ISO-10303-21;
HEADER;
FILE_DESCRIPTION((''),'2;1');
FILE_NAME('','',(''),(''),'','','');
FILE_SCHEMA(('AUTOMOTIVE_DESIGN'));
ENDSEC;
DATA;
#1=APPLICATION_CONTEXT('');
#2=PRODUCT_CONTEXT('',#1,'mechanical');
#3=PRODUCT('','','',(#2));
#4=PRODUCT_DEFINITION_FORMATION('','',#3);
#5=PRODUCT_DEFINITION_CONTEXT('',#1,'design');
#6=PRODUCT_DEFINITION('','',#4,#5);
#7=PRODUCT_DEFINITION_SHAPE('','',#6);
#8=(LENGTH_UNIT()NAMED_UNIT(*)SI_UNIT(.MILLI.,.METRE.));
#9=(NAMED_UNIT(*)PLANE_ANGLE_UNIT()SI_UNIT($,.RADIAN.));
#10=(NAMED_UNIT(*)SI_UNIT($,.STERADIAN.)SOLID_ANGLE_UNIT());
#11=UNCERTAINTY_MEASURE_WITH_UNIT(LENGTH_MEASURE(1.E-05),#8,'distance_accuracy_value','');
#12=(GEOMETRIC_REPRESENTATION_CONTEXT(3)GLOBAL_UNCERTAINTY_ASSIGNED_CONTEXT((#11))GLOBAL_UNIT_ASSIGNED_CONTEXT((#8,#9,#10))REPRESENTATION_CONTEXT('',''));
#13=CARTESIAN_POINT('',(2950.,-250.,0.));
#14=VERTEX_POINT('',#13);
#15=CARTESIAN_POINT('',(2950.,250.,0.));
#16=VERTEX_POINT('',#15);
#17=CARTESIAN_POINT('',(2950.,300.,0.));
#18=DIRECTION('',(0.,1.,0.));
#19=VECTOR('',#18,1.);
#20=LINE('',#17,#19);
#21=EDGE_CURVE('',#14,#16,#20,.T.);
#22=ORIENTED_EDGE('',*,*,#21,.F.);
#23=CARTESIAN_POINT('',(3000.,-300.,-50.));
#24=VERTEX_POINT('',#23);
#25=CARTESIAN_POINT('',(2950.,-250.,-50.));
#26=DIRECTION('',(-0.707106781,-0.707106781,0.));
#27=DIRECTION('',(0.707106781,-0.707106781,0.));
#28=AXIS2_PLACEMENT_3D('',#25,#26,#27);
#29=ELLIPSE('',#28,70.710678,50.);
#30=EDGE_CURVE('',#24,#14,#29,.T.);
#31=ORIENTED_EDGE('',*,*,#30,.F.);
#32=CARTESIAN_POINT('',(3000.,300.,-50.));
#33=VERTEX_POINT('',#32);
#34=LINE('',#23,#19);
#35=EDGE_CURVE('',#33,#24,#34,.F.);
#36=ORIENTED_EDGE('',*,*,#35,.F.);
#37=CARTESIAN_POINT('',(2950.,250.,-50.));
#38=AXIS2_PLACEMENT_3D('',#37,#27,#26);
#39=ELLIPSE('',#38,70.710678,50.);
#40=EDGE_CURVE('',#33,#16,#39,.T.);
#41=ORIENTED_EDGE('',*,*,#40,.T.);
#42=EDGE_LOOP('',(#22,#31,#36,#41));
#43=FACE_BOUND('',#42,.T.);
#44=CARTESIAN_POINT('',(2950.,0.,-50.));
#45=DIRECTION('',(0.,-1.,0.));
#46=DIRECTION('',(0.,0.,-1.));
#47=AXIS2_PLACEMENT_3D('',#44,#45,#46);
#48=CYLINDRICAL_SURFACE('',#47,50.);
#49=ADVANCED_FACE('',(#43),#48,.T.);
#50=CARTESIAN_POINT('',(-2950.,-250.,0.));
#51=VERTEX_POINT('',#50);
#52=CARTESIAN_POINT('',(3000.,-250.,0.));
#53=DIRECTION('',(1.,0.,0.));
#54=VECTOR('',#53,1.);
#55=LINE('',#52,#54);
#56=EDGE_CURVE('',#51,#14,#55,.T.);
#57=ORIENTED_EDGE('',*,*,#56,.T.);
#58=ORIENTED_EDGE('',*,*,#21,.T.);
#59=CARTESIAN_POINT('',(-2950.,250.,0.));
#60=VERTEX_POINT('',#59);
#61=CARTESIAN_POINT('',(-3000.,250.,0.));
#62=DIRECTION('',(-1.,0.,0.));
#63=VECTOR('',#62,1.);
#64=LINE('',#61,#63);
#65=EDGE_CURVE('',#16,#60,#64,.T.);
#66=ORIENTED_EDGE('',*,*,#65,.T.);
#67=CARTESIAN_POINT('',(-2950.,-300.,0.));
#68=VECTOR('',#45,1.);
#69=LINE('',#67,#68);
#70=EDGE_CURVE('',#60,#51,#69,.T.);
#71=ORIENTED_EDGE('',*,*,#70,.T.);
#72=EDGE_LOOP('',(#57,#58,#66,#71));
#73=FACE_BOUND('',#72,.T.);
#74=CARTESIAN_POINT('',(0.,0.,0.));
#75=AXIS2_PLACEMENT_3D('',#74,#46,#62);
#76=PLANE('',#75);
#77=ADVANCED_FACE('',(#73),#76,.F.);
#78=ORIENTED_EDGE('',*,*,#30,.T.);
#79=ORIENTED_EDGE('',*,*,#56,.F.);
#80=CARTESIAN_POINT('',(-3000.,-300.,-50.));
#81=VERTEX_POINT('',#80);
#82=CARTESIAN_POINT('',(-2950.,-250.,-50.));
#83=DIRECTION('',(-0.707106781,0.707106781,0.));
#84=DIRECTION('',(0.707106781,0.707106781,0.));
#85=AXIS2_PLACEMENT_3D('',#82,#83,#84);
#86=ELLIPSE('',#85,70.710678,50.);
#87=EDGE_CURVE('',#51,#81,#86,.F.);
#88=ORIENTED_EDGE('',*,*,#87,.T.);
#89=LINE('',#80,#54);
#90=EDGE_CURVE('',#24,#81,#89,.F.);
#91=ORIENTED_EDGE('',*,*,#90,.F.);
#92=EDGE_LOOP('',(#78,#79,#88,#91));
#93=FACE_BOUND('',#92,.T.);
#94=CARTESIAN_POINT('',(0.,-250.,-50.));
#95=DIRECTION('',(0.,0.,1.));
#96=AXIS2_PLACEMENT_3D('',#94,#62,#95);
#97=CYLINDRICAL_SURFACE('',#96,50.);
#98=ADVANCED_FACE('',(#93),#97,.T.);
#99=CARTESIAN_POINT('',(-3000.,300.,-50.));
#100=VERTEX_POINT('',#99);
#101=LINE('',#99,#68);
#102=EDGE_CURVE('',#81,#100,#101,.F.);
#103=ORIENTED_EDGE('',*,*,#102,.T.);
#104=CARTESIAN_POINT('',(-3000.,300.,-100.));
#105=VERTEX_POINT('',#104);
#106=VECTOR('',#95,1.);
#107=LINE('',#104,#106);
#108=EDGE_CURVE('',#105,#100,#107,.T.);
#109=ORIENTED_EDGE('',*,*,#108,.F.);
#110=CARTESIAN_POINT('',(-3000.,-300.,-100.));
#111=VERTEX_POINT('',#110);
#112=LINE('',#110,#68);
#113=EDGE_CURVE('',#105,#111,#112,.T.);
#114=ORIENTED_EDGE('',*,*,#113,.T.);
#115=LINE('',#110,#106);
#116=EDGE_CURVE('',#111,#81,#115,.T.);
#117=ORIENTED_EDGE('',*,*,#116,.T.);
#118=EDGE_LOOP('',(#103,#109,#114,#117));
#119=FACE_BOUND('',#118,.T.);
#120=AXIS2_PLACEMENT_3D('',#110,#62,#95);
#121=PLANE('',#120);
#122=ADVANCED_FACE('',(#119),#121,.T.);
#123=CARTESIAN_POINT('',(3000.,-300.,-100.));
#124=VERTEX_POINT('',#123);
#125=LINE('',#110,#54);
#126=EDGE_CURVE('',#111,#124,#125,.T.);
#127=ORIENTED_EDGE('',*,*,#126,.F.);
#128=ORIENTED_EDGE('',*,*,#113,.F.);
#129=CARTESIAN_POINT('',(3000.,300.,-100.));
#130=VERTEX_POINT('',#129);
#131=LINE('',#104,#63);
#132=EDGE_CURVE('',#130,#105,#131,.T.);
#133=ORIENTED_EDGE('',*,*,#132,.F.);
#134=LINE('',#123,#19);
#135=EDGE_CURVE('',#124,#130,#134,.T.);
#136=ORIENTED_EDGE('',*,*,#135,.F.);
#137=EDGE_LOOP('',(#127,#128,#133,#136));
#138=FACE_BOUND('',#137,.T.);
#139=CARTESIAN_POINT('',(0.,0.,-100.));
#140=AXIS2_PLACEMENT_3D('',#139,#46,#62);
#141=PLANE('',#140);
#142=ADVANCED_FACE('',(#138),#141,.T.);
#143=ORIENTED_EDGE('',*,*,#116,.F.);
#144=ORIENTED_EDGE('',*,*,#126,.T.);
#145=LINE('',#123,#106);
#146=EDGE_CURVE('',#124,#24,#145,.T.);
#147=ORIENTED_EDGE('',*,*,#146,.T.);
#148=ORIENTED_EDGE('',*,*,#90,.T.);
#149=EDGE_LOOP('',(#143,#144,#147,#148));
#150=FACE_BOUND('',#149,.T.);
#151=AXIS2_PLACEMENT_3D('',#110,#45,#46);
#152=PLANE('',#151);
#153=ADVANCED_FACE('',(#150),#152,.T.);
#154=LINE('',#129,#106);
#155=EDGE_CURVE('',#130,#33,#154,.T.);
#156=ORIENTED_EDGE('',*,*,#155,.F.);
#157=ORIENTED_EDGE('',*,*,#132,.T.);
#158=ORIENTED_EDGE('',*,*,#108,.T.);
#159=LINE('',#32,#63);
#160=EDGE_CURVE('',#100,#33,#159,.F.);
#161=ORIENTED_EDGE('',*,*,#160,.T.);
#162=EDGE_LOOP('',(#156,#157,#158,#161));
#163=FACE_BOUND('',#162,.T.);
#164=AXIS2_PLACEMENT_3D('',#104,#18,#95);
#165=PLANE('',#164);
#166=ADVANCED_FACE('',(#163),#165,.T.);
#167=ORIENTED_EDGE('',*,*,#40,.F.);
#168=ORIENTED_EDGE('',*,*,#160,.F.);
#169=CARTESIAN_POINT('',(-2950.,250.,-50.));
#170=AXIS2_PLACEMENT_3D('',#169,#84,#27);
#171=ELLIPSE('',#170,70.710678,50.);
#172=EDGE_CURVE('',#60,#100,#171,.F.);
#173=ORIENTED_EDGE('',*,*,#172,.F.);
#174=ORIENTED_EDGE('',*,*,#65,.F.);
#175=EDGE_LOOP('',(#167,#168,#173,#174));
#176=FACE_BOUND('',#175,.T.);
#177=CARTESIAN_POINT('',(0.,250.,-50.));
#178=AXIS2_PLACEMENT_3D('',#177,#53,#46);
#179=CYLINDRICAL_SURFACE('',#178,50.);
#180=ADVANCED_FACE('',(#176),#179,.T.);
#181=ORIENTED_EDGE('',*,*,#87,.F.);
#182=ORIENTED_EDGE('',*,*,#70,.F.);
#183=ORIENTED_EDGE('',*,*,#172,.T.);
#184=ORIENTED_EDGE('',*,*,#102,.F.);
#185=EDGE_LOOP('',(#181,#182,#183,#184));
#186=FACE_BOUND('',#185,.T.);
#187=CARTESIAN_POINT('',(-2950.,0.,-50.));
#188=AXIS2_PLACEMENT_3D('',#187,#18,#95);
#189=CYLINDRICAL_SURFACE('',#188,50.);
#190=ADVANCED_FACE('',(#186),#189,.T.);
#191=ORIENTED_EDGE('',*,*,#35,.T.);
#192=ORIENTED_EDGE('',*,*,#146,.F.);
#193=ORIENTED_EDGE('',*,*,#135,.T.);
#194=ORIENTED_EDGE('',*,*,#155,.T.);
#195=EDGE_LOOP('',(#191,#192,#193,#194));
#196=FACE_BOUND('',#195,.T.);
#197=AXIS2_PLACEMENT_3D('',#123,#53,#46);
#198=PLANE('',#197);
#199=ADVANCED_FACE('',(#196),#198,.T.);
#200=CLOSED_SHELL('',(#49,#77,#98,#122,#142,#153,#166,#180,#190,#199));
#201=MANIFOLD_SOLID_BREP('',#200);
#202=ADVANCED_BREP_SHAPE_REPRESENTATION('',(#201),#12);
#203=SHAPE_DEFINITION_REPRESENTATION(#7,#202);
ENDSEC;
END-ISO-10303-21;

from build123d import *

# Parameters (mm, degrees)
SKETCH1_W           = 6000
SKETCH1_H           = 600
BOSS_EXTRUDE1_DEPTH = 100
FILLET1_R           = 50


with BuildPart() as part:
    # Sketch1 → Boss-Extrude1 (new body)
    with BuildSketch(Plane.XY):
        Rectangle(SKETCH1_W, SKETCH1_H)
    extrude(amount=-BOSS_EXTRUDE1_DEPTH)

    # Fillet1
    fillet1_edges = [part.edges().sort_by_distance(p)[0] for p in [
        (0, -300, 0),
        (-3000, 0, 0),
        (0, 300, 0),
        (3000, 0, 0),
    ]]
    fillet(fillet1_edges, radius=FILLET1_R)


solid = part.part
